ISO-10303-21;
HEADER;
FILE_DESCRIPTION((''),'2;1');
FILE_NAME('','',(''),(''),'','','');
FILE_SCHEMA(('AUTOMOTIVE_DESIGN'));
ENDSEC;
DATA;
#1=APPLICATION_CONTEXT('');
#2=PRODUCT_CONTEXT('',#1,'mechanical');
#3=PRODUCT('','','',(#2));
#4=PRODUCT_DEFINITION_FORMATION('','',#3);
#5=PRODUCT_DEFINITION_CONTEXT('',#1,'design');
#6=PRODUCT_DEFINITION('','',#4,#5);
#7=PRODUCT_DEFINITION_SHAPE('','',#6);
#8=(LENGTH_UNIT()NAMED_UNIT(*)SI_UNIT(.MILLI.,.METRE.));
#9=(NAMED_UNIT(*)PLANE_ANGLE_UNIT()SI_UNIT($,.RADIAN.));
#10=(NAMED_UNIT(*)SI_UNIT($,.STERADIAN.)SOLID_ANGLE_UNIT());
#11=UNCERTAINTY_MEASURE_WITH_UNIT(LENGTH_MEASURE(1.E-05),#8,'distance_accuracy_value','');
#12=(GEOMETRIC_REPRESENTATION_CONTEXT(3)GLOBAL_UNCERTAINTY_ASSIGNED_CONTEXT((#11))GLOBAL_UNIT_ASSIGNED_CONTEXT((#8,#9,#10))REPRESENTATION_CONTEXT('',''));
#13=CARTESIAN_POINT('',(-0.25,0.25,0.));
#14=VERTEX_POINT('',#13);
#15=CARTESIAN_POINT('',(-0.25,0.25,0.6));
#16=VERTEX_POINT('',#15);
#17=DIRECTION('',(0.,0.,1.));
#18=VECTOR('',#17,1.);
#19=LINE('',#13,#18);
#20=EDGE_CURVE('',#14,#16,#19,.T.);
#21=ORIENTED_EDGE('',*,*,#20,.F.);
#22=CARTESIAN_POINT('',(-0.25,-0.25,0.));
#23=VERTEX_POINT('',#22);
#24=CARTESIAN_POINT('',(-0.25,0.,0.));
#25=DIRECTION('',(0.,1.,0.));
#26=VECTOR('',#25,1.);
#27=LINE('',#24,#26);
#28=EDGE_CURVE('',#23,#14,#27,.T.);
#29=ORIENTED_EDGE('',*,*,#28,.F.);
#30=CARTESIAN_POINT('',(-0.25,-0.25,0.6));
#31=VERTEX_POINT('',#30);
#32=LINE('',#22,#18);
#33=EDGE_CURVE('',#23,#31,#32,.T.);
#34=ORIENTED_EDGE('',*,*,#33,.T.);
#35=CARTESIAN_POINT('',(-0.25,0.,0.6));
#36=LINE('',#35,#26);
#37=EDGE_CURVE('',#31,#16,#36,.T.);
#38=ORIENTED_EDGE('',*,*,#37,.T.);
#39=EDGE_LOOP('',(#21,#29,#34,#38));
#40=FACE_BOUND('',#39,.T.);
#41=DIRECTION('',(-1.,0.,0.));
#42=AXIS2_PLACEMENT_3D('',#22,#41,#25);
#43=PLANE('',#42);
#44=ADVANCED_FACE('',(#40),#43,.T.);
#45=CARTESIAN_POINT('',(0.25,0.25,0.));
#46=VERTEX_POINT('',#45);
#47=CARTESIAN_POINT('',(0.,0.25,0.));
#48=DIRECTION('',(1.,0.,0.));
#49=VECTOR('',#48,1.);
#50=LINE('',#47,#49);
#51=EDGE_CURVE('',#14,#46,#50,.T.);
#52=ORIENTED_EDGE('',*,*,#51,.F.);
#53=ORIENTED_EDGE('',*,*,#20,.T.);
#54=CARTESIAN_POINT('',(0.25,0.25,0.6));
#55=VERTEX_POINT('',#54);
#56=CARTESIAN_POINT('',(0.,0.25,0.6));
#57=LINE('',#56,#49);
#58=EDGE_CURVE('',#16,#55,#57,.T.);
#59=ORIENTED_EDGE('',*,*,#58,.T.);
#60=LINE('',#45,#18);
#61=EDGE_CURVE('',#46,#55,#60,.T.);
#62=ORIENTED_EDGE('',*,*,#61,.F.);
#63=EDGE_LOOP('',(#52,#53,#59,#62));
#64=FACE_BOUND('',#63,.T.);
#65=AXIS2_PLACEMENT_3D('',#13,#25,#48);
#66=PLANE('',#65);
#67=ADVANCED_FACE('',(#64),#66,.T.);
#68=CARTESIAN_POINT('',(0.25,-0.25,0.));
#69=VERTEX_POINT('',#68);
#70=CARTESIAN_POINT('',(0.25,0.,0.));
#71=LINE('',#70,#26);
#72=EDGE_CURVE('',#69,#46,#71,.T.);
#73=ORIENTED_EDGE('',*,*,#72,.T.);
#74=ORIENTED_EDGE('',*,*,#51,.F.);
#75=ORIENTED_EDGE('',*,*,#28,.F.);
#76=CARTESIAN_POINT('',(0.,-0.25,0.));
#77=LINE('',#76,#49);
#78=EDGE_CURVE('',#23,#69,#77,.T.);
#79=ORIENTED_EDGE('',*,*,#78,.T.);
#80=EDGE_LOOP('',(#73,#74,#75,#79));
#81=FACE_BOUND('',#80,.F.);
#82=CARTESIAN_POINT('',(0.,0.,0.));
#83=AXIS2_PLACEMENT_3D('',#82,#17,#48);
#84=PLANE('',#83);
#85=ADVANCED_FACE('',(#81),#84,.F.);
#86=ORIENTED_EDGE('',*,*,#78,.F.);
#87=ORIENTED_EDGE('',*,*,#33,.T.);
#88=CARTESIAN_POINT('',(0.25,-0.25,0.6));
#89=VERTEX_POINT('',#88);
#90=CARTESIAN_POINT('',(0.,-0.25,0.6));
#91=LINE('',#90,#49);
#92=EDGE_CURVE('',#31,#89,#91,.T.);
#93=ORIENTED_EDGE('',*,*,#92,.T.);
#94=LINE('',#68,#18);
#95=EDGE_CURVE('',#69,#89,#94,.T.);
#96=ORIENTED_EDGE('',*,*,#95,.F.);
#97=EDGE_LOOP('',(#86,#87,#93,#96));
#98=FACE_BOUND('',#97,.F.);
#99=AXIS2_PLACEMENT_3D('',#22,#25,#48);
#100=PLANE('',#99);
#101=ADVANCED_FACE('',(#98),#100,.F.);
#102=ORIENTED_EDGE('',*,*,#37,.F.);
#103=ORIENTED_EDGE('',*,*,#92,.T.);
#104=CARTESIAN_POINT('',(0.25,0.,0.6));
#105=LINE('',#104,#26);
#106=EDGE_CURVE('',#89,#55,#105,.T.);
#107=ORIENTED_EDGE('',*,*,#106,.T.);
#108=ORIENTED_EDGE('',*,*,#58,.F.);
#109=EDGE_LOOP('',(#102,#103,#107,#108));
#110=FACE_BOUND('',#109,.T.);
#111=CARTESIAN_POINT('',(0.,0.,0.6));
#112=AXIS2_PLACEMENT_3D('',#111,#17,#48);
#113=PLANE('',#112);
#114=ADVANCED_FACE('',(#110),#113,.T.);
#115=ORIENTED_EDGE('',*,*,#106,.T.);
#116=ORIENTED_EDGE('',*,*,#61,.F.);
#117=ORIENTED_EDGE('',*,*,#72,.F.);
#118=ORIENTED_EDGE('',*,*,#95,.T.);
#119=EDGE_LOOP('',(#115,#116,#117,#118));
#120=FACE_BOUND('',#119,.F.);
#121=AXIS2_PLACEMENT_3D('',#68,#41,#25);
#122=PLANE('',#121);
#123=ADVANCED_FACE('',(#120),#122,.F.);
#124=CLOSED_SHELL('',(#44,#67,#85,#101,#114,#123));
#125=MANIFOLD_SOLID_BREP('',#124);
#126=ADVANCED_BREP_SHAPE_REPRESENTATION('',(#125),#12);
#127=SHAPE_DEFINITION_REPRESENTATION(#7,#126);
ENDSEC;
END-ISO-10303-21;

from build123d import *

# Parameters (mm, degrees)
BOX_W     = 0.5
BOX_H     = 0.5
BOX_DEPTH = 0.6


with BuildPart() as part:
    # Box → Box (new body)
    with BuildSketch(Plane(origin=(-0.25, -0.25, 0), x_dir=(1, 0, 0), z_dir=(0, 0, 1))):
        with Locations((0.25, 0.25)):
            Rectangle(BOX_W, BOX_H)
    extrude(amount=BOX_DEPTH)


solid = part.part
